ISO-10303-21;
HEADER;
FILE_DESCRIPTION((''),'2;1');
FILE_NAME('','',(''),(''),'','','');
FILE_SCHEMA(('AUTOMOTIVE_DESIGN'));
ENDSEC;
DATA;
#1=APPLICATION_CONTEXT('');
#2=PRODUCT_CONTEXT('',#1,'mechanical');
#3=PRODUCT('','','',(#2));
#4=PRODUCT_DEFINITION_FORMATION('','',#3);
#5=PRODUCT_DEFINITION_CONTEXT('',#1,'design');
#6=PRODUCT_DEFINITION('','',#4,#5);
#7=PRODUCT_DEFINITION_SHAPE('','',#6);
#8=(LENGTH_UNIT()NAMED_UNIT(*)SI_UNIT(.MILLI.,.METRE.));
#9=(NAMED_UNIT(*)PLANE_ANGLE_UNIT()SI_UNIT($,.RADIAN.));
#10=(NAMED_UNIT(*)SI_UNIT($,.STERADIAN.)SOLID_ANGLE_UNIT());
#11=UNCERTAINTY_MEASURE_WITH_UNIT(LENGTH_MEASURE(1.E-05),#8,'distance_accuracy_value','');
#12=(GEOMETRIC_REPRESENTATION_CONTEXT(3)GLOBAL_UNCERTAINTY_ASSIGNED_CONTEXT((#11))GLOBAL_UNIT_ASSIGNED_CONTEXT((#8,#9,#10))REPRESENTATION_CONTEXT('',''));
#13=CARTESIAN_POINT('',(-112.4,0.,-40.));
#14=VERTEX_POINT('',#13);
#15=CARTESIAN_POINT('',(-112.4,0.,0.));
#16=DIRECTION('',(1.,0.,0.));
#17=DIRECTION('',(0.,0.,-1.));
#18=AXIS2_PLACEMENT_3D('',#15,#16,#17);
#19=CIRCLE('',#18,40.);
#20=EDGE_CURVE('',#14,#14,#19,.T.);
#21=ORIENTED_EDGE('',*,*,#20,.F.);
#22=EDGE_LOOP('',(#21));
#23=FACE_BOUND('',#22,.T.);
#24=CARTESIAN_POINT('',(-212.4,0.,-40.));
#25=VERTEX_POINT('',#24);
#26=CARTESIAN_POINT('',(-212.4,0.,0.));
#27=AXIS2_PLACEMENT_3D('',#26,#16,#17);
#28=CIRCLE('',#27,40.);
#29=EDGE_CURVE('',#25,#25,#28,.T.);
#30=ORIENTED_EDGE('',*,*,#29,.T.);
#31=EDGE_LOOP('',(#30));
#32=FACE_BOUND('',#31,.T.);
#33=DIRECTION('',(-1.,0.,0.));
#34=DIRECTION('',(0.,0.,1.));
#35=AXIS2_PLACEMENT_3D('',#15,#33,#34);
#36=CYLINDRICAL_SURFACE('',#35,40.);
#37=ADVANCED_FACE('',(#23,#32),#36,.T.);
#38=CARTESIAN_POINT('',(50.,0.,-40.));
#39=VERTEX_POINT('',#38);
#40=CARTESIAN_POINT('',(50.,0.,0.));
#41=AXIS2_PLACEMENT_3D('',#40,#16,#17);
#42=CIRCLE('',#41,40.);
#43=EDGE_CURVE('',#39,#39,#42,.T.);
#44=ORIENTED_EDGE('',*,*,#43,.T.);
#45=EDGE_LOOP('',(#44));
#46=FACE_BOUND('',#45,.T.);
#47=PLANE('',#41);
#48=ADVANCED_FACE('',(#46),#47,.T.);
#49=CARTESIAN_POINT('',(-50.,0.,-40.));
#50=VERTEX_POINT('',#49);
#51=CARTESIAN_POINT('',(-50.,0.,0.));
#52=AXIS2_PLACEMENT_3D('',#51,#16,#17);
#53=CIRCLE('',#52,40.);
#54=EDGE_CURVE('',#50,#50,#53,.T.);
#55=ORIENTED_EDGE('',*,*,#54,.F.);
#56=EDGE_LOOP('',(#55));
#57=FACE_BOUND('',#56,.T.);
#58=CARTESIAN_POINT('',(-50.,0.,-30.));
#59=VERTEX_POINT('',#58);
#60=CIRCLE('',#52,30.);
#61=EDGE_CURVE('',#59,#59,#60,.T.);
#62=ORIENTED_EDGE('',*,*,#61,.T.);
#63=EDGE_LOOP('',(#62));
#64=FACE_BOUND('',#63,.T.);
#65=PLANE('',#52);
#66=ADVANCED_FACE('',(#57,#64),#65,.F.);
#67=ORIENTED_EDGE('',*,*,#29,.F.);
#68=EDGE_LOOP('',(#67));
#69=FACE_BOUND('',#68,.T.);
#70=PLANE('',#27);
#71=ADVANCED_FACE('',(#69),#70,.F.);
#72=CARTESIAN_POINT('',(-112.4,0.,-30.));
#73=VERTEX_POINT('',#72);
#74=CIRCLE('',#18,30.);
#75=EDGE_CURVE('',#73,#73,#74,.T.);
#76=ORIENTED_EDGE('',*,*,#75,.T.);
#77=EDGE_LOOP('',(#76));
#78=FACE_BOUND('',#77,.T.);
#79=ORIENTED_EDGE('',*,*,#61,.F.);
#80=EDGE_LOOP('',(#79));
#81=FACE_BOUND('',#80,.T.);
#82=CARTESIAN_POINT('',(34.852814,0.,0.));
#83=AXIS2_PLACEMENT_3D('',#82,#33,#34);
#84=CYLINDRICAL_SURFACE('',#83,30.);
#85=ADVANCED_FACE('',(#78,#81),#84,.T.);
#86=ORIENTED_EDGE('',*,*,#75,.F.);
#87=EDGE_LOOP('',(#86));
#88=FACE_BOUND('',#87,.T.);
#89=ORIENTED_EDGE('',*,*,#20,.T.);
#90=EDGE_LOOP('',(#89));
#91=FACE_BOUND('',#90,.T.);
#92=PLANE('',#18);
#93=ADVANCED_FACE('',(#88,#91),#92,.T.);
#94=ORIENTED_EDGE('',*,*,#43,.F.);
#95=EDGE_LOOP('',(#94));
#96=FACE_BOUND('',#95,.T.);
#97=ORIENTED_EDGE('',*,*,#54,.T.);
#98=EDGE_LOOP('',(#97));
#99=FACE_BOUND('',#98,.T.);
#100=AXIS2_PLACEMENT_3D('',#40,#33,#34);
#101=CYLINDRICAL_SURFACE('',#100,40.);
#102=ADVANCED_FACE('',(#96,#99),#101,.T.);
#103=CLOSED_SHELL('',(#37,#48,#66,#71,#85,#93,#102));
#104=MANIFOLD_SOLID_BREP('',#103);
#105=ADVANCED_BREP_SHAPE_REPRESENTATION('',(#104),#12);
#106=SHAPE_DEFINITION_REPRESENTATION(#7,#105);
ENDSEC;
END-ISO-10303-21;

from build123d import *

# Parameters (mm, degrees)
SKETCH_1_R      = 40
EXTRUDE_1_DEPTH = 50
SKETCH_2_R      = 40
EXTRUDE_2_DEPTH = 50
SKETCH_3_R      = 30
EXTRUDE_3_DEPTH = 62.4


with BuildPart() as part:
    # 草图1 → 凸台-拉伸1 (new, symmetric)
    with BuildSketch(Plane(origin=(0, 0, 0), x_dir=(0, 0, -1), z_dir=(1, 0, 0))):
        Circle(SKETCH_1_R)
    extrude(amount=EXTRUDE_1_DEPTH, both=True)



with BuildPart() as body_2:
    # 草图2 → 凸台-拉伸2 (new, symmetric)
    with BuildSketch(Plane(origin=(-162.4, 0, 0), x_dir=(0, 0, -1), z_dir=(1, 0, 0))):
        Circle(SKETCH_2_R)
    extrude(amount=EXTRUDE_2_DEPTH, both=True)


with BuildPart() as part_1:
    add(part.part)

    add(body_2.part)  # 凸台-拉伸3 merges body 2
    # 草图3 → 凸台-拉伸3 (add)
    with BuildSketch(Plane(origin=(-112.4, 0, 0), x_dir=(0, 0, -1), z_dir=(1, 0, 0))):
        Circle(SKETCH_3_R)
    extrude(amount=EXTRUDE_3_DEPTH)


solid = part_1.part
